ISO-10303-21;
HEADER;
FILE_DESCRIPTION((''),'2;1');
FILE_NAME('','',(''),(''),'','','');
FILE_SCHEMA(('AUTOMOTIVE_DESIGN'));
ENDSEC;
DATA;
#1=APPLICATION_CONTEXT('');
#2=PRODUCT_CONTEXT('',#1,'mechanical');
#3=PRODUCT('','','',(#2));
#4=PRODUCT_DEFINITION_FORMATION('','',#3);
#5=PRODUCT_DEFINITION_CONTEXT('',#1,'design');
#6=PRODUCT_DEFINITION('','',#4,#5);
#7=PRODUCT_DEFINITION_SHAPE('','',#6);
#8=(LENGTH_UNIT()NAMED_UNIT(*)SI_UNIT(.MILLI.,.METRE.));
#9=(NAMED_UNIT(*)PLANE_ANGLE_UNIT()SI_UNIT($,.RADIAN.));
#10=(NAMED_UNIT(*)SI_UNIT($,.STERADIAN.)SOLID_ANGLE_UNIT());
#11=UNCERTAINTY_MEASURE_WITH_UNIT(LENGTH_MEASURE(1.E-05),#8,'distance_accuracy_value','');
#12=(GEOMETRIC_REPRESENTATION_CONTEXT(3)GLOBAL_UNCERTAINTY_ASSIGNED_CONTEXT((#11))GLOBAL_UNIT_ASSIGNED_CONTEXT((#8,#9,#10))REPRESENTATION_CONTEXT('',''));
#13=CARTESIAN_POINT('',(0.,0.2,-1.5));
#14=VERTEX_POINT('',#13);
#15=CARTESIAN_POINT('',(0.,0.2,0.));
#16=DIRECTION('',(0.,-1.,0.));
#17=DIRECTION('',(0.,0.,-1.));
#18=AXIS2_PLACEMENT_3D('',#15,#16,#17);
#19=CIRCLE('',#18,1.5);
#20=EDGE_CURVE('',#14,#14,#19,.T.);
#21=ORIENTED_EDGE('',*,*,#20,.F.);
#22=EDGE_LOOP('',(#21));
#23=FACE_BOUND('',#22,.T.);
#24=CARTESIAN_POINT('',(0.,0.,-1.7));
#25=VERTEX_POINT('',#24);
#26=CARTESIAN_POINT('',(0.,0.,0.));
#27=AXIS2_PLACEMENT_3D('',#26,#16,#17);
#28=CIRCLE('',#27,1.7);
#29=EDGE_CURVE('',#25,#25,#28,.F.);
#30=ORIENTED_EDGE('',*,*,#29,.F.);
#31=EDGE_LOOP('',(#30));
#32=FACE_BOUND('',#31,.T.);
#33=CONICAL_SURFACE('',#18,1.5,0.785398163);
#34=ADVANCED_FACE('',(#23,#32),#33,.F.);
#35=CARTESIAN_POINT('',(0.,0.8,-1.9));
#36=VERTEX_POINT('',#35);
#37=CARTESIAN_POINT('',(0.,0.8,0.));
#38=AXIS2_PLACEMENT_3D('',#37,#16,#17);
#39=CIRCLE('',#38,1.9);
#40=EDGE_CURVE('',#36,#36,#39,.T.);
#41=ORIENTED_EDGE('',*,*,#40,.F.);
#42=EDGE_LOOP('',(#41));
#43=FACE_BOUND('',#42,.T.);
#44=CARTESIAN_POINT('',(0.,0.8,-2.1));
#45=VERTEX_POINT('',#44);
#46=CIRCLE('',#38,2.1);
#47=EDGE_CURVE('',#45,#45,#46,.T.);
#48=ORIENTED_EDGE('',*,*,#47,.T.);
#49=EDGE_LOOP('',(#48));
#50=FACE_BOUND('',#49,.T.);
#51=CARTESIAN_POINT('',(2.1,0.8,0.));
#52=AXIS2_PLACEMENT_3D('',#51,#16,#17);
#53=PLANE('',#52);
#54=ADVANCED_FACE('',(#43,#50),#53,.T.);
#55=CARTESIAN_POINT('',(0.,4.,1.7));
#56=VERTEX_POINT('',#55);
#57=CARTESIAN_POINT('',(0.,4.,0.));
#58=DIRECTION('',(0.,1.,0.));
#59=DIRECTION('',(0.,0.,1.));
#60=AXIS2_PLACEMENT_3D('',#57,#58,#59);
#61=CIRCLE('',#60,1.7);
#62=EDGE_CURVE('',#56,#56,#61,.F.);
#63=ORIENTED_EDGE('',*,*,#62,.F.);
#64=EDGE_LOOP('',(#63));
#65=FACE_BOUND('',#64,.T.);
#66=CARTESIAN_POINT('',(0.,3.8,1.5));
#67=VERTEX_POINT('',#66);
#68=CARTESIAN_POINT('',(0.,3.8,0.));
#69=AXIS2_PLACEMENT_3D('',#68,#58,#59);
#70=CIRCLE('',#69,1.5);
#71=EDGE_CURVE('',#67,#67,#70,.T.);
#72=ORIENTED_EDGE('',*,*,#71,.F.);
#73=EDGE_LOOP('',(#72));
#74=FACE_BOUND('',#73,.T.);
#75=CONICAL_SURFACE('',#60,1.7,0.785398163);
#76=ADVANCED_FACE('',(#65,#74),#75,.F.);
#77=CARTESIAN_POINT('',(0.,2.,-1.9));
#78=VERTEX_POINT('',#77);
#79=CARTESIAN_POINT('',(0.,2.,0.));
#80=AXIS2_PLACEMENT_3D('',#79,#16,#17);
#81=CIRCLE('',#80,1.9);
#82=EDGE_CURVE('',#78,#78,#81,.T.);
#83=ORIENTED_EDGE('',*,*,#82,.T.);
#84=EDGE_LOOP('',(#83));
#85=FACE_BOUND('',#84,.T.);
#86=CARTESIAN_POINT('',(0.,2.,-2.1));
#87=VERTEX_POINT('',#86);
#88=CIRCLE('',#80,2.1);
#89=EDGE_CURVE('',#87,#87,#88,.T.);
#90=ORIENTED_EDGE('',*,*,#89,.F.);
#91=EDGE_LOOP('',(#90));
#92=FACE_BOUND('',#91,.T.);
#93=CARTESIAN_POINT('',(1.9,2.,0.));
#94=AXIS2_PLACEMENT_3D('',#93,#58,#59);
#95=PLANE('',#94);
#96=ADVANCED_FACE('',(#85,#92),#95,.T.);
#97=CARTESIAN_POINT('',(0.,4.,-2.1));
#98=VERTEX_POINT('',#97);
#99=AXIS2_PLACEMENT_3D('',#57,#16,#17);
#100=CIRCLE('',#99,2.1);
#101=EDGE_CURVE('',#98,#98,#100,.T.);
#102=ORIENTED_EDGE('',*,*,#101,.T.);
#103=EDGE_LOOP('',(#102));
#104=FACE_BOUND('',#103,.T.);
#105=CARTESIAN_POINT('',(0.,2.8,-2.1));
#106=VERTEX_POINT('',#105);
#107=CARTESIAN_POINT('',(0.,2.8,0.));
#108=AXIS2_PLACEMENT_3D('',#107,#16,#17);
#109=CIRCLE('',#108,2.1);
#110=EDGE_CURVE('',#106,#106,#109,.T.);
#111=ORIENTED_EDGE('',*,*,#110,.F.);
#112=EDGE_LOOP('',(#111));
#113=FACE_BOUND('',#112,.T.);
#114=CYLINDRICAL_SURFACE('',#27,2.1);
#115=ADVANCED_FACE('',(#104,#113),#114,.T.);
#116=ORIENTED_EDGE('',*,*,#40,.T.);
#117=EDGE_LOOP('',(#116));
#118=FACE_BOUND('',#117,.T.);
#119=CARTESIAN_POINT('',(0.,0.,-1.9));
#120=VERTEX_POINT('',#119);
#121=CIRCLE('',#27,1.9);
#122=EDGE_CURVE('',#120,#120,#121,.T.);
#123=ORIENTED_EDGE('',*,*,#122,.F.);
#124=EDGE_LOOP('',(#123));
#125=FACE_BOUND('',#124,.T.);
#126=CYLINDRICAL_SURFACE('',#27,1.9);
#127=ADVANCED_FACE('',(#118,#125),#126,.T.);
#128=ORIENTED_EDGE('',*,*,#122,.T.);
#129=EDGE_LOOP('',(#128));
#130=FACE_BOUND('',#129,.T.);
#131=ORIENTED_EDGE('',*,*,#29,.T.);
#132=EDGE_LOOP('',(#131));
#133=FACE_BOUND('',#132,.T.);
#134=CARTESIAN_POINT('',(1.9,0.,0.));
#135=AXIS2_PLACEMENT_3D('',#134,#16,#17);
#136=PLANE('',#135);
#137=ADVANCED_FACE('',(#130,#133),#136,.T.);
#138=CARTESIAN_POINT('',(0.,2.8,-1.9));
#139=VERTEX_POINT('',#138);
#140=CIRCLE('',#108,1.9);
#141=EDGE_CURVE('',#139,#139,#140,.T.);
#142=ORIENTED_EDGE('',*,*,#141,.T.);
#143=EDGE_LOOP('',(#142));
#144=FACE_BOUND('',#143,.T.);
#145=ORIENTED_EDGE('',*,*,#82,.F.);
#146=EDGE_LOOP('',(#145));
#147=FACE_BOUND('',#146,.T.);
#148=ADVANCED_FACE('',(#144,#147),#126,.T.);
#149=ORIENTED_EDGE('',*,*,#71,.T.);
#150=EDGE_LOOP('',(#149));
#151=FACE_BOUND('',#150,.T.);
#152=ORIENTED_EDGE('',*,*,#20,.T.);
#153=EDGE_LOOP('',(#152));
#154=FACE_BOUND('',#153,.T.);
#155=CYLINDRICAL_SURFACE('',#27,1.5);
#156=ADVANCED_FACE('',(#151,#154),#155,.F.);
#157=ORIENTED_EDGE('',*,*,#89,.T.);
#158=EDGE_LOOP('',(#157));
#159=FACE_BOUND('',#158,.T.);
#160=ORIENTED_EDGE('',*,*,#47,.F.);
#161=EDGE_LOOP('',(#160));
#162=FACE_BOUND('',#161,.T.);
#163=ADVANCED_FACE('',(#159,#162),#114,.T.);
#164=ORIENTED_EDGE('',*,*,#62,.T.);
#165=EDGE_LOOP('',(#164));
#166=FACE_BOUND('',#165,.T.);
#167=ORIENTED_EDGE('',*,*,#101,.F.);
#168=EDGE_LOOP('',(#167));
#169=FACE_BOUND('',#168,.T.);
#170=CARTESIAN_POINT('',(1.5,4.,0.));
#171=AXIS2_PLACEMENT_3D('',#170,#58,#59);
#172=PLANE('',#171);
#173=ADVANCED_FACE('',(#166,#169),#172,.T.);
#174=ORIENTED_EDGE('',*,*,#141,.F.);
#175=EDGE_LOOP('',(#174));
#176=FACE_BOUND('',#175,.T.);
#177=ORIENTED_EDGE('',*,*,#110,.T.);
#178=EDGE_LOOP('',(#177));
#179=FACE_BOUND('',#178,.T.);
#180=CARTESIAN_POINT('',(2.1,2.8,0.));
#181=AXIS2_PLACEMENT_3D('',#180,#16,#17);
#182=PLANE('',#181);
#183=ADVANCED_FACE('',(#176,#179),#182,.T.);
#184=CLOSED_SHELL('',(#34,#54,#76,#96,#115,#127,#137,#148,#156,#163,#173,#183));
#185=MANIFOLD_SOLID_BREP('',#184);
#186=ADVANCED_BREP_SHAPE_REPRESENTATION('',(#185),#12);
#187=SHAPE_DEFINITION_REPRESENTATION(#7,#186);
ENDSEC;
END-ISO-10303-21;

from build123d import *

# Parameters (mm, degrees)
CHAMFER_1_SIZE = 0.2


with BuildPart() as part:
    # 草图1 → 旋转1 (revolve)
    with BuildSketch(Plane.XY, mode=Mode.PRIVATE) as revolve_1_sk:
        Polygon((1.5, 4), (2.1, 4), (2.1, 2.8), (1.9, 2.8), (1.9, 2), (2.1, 2), (2.1, 0.8), (1.9, 0.8), (1.9, 0), (1.5, 0), align=None)
    revolve(revolve_1_sk.sketch.rotate(Axis((0, 0, 0), (0, 1, 0)), 90), axis=Axis((0, 0, 0), (0, 1, 0)))

    # 倒角1
    chamfer_1_edges = [part.edges().sort_by_distance(p)[0] for p in [
        (0, 4, 1.5),
        (0, 0, 1.5),
    ]]
    chamfer(chamfer_1_edges, length=CHAMFER_1_SIZE)


solid = part.part
